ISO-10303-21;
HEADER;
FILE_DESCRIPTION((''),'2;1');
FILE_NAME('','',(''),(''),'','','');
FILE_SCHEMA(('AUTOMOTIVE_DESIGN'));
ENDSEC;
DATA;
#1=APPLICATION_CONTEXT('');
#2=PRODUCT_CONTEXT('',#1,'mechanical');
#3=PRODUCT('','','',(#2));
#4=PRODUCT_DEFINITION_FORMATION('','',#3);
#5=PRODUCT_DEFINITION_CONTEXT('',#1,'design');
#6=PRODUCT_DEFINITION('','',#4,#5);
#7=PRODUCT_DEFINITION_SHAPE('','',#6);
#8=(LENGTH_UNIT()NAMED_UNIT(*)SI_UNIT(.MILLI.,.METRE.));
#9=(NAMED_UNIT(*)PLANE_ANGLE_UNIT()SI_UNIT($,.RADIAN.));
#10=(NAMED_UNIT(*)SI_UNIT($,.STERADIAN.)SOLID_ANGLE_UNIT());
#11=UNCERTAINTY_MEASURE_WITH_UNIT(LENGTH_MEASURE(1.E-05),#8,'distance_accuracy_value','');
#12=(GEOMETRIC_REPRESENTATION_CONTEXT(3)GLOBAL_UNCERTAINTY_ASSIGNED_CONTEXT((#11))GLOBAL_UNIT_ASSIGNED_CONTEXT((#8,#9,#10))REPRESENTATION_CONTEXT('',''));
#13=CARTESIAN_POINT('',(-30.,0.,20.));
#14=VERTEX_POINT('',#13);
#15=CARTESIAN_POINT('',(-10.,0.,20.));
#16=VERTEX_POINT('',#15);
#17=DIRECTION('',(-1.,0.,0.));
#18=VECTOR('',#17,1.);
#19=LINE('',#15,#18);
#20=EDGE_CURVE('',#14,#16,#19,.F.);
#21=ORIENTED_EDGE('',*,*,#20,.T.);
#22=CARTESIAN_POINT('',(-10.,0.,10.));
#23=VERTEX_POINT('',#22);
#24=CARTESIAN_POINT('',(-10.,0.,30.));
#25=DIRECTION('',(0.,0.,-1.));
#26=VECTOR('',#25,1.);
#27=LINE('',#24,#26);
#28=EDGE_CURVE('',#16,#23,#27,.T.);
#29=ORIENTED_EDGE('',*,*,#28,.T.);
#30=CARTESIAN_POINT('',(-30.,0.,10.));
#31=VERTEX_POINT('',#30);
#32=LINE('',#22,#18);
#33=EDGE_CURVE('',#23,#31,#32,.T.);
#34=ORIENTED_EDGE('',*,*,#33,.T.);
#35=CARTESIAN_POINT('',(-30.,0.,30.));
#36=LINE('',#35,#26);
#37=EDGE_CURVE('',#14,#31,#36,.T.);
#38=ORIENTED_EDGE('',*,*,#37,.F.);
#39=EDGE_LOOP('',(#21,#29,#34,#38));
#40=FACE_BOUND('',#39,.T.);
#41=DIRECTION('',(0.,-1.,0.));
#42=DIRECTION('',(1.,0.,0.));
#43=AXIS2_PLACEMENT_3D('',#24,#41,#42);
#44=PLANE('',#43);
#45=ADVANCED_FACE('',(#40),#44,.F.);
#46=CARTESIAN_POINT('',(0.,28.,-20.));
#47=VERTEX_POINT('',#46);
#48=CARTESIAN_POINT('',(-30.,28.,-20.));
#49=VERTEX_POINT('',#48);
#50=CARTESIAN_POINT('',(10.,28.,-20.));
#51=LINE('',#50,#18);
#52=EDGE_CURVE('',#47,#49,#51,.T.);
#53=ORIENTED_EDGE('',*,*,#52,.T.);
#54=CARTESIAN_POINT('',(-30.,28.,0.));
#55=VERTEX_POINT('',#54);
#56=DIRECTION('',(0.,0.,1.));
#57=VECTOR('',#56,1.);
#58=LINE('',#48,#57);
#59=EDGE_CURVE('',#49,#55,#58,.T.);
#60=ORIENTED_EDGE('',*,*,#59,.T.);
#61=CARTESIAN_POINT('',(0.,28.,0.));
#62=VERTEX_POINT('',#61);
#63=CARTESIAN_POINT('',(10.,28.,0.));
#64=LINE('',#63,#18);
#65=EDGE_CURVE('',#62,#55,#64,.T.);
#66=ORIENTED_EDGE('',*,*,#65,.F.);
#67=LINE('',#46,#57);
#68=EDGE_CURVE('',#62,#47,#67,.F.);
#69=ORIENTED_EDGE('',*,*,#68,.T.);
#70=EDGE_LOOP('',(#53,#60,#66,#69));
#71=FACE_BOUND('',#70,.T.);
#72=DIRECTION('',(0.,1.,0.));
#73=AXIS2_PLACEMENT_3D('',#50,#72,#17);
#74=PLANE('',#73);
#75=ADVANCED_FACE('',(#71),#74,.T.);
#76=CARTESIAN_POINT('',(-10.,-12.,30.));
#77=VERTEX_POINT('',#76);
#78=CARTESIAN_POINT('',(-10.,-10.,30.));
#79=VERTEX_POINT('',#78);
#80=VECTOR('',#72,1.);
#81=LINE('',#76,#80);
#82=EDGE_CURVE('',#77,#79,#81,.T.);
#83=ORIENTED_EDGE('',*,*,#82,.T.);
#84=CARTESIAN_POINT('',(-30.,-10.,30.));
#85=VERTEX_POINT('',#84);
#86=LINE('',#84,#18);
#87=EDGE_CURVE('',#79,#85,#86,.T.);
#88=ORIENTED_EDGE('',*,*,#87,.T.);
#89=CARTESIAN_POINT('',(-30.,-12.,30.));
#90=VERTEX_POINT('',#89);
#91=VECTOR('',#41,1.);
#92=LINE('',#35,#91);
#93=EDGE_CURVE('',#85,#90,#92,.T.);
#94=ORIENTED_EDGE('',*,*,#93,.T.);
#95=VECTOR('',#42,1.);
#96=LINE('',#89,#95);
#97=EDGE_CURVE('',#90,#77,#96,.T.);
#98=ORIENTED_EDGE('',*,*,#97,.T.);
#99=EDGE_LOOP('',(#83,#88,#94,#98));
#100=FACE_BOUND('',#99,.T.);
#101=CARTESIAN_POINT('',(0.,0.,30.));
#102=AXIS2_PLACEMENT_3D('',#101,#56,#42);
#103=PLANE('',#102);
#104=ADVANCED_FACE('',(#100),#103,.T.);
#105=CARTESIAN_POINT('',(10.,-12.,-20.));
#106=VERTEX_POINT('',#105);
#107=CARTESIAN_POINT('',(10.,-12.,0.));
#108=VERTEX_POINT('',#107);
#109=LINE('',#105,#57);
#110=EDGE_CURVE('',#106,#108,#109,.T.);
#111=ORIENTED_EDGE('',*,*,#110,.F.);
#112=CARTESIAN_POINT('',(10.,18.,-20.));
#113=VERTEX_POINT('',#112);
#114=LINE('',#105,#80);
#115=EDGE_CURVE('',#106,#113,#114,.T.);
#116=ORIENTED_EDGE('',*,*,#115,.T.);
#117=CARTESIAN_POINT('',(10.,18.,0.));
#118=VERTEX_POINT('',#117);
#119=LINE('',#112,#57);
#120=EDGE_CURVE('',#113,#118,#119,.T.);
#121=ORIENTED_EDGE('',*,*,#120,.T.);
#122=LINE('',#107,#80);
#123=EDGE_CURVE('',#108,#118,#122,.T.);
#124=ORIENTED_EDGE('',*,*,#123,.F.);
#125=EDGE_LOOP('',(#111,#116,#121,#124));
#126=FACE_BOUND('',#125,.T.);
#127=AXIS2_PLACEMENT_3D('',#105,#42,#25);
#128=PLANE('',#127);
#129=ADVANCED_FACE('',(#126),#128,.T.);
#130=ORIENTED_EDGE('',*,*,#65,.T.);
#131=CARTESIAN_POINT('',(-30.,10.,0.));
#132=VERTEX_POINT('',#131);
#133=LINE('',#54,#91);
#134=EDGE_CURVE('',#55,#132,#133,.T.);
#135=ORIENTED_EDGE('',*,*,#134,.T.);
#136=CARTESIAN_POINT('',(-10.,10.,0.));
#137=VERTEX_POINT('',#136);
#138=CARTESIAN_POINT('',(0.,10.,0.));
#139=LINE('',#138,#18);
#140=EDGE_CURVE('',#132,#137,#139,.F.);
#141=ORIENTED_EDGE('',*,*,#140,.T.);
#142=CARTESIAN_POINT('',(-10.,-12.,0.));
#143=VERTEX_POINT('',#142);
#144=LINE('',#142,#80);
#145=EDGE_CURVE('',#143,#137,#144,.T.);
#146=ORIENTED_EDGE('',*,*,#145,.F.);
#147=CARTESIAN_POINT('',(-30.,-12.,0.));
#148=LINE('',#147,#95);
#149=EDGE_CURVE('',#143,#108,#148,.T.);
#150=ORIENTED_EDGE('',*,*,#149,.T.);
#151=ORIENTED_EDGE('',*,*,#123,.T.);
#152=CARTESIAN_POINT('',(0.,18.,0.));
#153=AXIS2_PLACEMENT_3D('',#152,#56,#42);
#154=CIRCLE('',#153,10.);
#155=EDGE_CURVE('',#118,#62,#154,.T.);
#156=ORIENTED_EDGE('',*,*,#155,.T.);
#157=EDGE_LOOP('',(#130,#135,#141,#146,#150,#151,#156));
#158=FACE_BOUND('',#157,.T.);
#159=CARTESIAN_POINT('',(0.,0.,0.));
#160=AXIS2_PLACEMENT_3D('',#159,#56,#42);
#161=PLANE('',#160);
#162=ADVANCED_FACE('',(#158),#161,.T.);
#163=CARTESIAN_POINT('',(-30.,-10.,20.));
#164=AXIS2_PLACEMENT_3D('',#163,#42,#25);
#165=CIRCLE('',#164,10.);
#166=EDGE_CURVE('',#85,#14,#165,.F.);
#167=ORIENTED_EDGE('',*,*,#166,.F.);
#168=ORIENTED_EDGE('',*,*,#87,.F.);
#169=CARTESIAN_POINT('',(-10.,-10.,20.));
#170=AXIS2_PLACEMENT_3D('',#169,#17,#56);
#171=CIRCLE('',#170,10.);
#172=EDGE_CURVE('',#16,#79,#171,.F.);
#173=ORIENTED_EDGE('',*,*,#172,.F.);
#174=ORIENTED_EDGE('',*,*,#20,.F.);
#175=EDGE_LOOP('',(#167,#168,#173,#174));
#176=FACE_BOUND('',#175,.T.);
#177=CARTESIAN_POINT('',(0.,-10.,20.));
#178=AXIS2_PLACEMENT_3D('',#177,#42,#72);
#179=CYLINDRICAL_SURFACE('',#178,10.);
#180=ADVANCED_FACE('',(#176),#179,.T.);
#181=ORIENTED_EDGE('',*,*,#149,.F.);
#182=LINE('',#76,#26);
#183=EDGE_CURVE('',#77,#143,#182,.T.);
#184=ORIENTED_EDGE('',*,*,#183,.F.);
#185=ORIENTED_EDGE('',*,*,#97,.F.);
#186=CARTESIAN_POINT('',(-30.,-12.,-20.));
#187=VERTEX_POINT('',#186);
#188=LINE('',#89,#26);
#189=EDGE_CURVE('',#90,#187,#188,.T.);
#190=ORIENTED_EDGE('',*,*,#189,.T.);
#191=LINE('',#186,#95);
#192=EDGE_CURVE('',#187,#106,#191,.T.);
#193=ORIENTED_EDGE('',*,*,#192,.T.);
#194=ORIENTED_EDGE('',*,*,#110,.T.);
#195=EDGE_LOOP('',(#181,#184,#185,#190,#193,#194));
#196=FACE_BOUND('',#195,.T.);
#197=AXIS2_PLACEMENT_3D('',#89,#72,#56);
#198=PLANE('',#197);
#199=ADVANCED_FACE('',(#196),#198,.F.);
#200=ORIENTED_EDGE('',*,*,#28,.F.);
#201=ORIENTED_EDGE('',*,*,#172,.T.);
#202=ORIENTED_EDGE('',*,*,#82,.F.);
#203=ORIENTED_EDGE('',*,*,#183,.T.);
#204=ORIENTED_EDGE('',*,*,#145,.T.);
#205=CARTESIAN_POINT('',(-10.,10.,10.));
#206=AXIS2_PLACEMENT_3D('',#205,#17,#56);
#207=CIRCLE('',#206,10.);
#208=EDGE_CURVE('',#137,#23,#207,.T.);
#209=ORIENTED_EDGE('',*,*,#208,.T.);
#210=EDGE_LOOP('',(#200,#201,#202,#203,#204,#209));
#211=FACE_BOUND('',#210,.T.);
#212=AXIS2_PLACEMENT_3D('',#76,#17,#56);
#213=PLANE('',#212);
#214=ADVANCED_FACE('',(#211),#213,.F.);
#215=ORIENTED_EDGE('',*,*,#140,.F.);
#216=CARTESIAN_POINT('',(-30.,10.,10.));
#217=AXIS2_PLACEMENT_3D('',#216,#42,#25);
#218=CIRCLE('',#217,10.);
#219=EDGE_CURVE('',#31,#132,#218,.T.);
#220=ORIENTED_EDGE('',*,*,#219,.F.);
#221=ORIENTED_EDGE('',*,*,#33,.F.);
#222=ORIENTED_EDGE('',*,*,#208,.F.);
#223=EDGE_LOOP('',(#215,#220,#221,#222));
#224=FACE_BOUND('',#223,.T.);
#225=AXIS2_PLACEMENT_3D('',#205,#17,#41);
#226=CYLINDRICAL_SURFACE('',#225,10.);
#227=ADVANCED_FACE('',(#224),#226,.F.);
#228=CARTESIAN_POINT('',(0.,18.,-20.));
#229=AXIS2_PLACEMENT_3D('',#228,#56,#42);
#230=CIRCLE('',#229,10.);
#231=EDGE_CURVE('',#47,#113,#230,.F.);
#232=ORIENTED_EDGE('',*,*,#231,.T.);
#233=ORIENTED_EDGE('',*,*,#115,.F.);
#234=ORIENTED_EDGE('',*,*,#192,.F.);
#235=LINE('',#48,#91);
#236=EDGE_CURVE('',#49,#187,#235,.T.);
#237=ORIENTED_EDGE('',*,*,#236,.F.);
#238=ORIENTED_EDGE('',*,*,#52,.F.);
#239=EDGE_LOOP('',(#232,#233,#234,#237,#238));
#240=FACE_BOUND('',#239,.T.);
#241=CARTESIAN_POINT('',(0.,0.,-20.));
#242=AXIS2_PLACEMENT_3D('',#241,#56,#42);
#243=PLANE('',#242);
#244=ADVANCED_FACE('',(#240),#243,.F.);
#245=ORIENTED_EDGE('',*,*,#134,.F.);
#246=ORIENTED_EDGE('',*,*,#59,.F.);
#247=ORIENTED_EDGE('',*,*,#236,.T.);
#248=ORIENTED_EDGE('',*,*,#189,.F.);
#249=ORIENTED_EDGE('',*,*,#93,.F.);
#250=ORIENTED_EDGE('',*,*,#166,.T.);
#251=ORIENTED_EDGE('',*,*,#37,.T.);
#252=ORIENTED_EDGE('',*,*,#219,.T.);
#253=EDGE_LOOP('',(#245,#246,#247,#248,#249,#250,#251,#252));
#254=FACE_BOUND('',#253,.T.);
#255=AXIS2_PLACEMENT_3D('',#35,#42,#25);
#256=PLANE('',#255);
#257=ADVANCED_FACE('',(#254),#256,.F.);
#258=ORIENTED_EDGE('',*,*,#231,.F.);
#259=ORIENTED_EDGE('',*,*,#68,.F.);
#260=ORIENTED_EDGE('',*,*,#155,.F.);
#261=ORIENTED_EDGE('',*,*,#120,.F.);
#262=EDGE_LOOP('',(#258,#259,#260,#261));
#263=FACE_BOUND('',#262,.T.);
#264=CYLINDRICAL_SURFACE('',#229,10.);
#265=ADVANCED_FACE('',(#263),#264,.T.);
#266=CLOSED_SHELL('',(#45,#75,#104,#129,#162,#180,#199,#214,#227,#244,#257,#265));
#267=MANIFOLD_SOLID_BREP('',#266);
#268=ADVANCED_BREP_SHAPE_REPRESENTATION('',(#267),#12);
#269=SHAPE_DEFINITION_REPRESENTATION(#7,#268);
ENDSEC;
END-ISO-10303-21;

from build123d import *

# Parameters (mm, degrees)
SKETCH1_W           = 20
SKETCH1_H           = 12
BOSS_EXTRUDE1_DEPTH = 30
SKETCH2_W           = 40
SKETCH2_H           = 40
BOSS_EXTRUDE2_DEPTH = 20
FILLET1_R           = 10


with BuildPart() as part:
    # Sketch1 → Boss-Extrude1 (new body)
    with BuildSketch(Plane.XY):
        with Locations((-20, -6)):
            Rectangle(SKETCH1_W, SKETCH1_H)
    extrude(amount=BOSS_EXTRUDE1_DEPTH)

    # Sketch2 → Boss-Extrude2 (add)
    with BuildSketch(Plane.XY):
        with Locations((-10, 8)):
            Rectangle(SKETCH2_W, SKETCH2_H)
    extrude(amount=-BOSS_EXTRUDE2_DEPTH)

    # Fillet1
    fillet1_edges = [part.edges().sort_by_distance(p)[0] for p in [
        (10, 28, -10),
        (-20, 0, 30),
        (-20, 0, 0),
    ]]
    fillet(fillet1_edges, radius=FILLET1_R)


solid = part.part
